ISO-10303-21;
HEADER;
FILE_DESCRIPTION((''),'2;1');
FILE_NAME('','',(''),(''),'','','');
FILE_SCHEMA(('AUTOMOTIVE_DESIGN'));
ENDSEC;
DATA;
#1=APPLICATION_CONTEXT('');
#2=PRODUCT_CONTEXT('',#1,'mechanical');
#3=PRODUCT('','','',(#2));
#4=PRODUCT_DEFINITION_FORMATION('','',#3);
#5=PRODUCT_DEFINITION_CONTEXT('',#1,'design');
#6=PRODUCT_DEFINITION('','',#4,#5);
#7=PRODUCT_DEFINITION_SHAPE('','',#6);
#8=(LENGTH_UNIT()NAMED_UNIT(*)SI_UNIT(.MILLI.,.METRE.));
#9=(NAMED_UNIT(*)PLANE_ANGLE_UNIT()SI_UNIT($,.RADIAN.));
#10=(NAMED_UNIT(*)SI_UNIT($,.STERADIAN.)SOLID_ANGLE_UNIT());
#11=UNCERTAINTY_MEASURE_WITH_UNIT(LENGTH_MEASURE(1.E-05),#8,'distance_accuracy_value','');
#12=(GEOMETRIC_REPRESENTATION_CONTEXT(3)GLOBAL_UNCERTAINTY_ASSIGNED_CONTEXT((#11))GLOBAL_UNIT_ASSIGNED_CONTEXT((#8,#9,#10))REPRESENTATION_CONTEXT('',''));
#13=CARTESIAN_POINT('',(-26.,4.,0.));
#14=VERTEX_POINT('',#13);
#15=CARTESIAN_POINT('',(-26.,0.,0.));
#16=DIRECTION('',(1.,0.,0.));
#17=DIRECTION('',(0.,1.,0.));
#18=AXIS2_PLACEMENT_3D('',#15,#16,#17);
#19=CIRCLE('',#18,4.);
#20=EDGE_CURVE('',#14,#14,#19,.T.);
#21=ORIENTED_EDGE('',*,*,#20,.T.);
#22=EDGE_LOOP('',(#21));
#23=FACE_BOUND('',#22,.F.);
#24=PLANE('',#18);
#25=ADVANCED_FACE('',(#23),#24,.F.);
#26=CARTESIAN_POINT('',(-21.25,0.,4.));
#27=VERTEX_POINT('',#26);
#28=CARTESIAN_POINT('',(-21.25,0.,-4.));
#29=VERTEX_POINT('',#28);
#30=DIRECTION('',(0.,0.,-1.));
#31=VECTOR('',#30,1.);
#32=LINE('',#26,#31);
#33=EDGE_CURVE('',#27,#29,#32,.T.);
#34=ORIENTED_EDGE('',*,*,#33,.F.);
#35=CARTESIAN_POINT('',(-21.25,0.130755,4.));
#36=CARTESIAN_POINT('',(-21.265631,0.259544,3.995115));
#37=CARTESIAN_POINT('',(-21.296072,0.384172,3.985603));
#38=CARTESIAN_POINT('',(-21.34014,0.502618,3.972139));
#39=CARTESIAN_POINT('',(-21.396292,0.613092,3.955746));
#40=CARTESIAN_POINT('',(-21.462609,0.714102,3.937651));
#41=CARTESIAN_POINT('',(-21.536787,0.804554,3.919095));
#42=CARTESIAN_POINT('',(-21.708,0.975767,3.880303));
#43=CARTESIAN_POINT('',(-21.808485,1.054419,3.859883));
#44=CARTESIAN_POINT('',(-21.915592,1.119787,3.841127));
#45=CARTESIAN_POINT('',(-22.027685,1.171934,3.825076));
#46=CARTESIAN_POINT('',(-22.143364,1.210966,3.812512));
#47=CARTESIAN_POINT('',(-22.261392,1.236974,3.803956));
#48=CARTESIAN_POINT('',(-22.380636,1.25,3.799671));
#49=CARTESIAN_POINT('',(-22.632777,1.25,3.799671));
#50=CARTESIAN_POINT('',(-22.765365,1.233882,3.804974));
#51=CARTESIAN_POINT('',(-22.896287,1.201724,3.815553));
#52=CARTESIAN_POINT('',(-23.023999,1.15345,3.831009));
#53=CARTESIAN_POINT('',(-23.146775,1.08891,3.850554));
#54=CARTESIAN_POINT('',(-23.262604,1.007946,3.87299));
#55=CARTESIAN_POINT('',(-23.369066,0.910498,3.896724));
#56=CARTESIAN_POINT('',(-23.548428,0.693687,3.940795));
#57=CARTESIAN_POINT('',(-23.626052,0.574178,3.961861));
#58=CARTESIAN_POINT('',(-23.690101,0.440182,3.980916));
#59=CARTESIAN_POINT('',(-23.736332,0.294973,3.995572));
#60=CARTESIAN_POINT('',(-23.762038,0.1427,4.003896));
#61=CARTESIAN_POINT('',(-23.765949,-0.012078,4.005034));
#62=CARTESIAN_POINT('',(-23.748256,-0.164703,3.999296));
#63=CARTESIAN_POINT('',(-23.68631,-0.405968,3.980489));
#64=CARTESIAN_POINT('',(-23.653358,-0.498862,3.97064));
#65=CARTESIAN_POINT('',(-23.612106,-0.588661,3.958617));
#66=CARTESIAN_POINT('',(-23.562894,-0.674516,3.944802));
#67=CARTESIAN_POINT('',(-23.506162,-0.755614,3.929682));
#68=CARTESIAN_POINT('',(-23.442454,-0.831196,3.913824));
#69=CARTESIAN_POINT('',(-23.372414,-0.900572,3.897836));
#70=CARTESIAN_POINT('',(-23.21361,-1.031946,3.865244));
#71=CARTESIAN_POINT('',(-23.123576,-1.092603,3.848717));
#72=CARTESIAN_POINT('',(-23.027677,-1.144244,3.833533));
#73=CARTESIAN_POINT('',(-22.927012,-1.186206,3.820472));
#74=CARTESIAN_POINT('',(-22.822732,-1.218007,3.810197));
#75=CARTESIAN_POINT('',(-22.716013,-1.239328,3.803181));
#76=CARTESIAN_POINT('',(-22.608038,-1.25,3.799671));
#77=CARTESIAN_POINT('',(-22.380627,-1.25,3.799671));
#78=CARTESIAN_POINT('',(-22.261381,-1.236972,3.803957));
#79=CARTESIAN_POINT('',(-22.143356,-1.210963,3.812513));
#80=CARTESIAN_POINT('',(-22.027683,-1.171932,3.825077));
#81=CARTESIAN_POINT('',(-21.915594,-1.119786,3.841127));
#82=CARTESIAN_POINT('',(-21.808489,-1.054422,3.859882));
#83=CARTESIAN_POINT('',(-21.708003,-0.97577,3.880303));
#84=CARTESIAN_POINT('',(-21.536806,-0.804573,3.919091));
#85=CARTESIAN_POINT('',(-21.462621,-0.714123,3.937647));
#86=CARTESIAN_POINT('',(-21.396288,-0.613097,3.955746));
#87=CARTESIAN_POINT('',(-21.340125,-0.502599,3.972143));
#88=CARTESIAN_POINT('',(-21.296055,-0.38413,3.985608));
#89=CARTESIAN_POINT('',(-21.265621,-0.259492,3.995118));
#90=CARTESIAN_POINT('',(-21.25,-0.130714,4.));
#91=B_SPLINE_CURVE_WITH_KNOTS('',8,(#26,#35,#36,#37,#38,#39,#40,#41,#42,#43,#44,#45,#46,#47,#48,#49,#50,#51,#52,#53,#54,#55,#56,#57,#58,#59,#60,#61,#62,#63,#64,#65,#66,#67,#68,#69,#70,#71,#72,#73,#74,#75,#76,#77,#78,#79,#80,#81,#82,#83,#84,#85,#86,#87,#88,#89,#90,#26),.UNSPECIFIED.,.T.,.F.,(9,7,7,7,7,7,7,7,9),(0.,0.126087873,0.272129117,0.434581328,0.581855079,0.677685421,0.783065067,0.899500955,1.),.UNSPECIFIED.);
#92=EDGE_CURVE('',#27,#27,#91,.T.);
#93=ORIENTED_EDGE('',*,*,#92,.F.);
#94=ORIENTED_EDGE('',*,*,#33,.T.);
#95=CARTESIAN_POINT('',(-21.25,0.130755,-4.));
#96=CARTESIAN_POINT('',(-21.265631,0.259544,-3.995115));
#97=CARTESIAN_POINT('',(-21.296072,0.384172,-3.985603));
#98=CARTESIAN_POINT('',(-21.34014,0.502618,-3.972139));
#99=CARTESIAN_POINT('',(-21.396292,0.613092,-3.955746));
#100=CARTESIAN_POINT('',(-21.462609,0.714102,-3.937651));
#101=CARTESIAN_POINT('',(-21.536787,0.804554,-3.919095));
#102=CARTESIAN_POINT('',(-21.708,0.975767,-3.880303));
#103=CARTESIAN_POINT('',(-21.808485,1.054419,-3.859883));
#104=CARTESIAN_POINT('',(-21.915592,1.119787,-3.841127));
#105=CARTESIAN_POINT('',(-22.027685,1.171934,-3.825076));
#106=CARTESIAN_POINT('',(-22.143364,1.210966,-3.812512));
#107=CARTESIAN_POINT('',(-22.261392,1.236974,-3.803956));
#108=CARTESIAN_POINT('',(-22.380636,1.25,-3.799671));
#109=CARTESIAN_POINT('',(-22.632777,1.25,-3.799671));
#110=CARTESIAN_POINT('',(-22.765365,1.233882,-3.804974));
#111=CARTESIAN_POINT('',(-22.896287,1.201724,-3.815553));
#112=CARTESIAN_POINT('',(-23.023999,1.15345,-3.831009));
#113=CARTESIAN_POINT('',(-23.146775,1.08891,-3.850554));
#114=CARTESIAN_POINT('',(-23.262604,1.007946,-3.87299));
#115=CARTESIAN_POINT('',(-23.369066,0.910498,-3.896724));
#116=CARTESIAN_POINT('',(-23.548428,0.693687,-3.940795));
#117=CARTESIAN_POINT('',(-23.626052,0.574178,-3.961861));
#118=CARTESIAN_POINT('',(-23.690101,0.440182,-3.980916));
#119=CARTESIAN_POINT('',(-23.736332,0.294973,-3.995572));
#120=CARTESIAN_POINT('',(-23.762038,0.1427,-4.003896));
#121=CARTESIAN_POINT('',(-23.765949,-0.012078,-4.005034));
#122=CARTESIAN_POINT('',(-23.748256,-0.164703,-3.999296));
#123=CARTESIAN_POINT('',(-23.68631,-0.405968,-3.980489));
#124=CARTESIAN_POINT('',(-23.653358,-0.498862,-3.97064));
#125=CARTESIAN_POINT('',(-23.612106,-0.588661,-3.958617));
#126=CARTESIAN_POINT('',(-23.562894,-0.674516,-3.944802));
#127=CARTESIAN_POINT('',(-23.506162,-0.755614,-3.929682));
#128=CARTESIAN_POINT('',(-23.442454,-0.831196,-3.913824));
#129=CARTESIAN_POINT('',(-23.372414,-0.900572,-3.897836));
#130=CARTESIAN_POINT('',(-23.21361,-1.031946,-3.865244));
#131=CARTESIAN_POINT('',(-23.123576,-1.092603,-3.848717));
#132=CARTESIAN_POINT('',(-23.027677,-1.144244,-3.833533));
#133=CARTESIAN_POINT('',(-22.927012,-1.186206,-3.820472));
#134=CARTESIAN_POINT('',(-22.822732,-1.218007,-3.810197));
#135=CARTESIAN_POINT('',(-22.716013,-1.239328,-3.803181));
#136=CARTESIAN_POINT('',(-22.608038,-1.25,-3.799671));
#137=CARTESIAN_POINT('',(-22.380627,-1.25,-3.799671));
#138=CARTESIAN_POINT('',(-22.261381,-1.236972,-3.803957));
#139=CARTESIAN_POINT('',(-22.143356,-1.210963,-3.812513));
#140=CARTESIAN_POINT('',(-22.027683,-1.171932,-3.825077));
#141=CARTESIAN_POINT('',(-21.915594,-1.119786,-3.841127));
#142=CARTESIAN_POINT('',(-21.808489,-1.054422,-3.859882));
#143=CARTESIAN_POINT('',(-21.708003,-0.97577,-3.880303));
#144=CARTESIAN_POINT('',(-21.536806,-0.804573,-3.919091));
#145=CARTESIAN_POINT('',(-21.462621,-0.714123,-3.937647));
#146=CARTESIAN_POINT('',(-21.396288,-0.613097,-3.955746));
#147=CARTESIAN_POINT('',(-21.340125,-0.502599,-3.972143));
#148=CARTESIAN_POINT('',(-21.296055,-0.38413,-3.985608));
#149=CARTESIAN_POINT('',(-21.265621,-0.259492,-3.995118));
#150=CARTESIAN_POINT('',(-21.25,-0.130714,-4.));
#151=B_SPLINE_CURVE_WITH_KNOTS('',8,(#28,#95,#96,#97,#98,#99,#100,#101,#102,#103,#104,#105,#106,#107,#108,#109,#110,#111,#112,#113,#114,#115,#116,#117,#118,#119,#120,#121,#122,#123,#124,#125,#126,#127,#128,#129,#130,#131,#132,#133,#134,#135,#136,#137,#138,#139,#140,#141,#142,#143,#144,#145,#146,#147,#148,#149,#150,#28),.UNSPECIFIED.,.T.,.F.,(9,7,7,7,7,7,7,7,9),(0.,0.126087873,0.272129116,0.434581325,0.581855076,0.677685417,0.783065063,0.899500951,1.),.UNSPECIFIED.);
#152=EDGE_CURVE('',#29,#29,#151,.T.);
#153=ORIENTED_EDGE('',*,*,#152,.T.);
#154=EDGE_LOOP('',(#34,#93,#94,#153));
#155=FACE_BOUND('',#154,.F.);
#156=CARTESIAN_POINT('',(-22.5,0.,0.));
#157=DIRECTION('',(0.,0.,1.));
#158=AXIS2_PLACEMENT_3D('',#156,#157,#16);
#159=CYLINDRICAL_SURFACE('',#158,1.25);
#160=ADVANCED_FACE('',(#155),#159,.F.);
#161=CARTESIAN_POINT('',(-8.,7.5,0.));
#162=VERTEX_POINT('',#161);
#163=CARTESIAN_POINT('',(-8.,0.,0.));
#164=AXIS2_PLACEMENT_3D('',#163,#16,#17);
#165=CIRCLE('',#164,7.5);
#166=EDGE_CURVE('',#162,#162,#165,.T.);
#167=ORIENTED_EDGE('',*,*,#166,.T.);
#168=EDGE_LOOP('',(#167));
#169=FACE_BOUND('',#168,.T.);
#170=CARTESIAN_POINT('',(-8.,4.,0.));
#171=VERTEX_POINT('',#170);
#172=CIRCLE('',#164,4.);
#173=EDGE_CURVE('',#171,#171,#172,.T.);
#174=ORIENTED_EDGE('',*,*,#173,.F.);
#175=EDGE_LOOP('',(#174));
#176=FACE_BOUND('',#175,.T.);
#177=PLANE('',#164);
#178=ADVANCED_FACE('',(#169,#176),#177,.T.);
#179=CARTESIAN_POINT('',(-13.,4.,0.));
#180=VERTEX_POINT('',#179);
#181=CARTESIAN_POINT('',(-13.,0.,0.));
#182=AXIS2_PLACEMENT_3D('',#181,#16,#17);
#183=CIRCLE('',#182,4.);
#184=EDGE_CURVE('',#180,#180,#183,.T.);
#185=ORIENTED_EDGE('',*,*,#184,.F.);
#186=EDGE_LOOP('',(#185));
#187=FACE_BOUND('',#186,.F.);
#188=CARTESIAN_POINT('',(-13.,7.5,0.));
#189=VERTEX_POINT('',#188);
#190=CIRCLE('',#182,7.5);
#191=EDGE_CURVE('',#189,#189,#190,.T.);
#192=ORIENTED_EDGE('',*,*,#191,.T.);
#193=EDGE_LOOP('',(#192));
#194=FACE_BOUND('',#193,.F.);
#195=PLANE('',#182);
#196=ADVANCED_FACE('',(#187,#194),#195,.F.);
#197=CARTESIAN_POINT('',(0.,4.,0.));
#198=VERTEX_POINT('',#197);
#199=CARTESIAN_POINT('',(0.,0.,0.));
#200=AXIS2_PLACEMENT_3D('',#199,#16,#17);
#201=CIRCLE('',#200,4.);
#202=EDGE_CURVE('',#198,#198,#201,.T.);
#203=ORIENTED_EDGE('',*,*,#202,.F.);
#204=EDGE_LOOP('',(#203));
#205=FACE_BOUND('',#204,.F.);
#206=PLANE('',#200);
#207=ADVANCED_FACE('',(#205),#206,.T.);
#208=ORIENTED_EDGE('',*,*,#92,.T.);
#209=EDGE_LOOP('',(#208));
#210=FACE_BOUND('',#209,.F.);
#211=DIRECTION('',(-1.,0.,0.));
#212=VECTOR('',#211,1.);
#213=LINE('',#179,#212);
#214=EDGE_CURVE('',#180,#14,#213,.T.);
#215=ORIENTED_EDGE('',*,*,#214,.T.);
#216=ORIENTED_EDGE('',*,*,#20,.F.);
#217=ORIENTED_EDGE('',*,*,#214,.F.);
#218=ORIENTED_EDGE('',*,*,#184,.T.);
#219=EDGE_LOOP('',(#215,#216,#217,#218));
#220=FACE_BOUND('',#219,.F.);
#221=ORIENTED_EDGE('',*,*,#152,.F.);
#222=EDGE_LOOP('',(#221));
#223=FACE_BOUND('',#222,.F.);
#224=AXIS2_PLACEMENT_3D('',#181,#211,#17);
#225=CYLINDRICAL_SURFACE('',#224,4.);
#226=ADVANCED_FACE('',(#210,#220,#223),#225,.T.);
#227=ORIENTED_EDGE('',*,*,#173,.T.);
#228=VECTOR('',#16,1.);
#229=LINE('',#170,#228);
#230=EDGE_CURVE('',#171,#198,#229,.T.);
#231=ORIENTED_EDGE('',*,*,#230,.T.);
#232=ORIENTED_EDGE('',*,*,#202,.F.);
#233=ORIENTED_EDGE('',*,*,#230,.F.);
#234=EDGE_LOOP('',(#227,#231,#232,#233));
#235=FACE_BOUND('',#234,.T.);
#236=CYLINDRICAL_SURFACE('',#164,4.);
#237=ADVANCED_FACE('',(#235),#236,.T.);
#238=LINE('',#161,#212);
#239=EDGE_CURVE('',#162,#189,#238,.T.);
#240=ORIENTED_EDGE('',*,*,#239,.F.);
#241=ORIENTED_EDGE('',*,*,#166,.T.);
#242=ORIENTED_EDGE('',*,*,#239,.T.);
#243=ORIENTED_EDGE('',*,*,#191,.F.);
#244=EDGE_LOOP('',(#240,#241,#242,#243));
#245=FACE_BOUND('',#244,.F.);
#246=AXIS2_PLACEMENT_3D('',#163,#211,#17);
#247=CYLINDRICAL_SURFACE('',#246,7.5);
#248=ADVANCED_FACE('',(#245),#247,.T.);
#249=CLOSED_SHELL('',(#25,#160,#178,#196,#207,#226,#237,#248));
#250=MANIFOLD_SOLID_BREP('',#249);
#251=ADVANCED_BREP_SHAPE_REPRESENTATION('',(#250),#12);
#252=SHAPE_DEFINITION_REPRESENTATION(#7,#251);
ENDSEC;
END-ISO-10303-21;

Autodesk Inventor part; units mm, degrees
ref_plane "YZ Plane" through (0, 0, 0) normal (1, 0, 0) x (0, 1, 0)
ref_plane "XZ Plane" through (0, 0, 0) normal (0, 1, 0) x (-1, 0, 0)
ref_plane "XY Plane" through (0, 0, 0) normal (0, 0, 1) x (1, 0, 0)
sketch "Sketch1" plane through (0, 0, 0) normal (0, 0, 1) x (1, 0, 0)
  line L0 (-8, 7.5) -> (-13, 7.5)
  line L1 (-13, 7.5) -> (-13, 4)
  line L2 (-13, 4) -> (-26, 4)
  line L3 (-26, 4) -> (-26, 0)
  line L4 (-26, 0) -> (0, 0)
  line L5 (0, 0) -> (0, 4)
  line L6 (-8, 7.5) -> (-8, 4)
  line L7 (-8, 4) -> (0, 4)
  circle A0 centre (-22.5, 0) radius 1.25
  dimension "d2" = 4
  dimension "d3" = 4
  dimension "d4" = 8
  dimension "d5" = 5
  dimension "d6" = 13
  dimension "d7" = 7.5
  dimension "d8" = 2.5
  dimension "d9" = 3.5
revolve "Revolution1" add sketch "Sketch1" angle 360 about axis through (-26, 0, 0) along (1, 0, 0) picked at (-22.1881, 0.2763) contours L6 L7 L5 L4 A0 L3 L2 L1 L0 | L4 A0
extrude "Extrusion1" cut sketch "Sketch1" along normal mid plane 100 contours A0 L4 | L4 A0
